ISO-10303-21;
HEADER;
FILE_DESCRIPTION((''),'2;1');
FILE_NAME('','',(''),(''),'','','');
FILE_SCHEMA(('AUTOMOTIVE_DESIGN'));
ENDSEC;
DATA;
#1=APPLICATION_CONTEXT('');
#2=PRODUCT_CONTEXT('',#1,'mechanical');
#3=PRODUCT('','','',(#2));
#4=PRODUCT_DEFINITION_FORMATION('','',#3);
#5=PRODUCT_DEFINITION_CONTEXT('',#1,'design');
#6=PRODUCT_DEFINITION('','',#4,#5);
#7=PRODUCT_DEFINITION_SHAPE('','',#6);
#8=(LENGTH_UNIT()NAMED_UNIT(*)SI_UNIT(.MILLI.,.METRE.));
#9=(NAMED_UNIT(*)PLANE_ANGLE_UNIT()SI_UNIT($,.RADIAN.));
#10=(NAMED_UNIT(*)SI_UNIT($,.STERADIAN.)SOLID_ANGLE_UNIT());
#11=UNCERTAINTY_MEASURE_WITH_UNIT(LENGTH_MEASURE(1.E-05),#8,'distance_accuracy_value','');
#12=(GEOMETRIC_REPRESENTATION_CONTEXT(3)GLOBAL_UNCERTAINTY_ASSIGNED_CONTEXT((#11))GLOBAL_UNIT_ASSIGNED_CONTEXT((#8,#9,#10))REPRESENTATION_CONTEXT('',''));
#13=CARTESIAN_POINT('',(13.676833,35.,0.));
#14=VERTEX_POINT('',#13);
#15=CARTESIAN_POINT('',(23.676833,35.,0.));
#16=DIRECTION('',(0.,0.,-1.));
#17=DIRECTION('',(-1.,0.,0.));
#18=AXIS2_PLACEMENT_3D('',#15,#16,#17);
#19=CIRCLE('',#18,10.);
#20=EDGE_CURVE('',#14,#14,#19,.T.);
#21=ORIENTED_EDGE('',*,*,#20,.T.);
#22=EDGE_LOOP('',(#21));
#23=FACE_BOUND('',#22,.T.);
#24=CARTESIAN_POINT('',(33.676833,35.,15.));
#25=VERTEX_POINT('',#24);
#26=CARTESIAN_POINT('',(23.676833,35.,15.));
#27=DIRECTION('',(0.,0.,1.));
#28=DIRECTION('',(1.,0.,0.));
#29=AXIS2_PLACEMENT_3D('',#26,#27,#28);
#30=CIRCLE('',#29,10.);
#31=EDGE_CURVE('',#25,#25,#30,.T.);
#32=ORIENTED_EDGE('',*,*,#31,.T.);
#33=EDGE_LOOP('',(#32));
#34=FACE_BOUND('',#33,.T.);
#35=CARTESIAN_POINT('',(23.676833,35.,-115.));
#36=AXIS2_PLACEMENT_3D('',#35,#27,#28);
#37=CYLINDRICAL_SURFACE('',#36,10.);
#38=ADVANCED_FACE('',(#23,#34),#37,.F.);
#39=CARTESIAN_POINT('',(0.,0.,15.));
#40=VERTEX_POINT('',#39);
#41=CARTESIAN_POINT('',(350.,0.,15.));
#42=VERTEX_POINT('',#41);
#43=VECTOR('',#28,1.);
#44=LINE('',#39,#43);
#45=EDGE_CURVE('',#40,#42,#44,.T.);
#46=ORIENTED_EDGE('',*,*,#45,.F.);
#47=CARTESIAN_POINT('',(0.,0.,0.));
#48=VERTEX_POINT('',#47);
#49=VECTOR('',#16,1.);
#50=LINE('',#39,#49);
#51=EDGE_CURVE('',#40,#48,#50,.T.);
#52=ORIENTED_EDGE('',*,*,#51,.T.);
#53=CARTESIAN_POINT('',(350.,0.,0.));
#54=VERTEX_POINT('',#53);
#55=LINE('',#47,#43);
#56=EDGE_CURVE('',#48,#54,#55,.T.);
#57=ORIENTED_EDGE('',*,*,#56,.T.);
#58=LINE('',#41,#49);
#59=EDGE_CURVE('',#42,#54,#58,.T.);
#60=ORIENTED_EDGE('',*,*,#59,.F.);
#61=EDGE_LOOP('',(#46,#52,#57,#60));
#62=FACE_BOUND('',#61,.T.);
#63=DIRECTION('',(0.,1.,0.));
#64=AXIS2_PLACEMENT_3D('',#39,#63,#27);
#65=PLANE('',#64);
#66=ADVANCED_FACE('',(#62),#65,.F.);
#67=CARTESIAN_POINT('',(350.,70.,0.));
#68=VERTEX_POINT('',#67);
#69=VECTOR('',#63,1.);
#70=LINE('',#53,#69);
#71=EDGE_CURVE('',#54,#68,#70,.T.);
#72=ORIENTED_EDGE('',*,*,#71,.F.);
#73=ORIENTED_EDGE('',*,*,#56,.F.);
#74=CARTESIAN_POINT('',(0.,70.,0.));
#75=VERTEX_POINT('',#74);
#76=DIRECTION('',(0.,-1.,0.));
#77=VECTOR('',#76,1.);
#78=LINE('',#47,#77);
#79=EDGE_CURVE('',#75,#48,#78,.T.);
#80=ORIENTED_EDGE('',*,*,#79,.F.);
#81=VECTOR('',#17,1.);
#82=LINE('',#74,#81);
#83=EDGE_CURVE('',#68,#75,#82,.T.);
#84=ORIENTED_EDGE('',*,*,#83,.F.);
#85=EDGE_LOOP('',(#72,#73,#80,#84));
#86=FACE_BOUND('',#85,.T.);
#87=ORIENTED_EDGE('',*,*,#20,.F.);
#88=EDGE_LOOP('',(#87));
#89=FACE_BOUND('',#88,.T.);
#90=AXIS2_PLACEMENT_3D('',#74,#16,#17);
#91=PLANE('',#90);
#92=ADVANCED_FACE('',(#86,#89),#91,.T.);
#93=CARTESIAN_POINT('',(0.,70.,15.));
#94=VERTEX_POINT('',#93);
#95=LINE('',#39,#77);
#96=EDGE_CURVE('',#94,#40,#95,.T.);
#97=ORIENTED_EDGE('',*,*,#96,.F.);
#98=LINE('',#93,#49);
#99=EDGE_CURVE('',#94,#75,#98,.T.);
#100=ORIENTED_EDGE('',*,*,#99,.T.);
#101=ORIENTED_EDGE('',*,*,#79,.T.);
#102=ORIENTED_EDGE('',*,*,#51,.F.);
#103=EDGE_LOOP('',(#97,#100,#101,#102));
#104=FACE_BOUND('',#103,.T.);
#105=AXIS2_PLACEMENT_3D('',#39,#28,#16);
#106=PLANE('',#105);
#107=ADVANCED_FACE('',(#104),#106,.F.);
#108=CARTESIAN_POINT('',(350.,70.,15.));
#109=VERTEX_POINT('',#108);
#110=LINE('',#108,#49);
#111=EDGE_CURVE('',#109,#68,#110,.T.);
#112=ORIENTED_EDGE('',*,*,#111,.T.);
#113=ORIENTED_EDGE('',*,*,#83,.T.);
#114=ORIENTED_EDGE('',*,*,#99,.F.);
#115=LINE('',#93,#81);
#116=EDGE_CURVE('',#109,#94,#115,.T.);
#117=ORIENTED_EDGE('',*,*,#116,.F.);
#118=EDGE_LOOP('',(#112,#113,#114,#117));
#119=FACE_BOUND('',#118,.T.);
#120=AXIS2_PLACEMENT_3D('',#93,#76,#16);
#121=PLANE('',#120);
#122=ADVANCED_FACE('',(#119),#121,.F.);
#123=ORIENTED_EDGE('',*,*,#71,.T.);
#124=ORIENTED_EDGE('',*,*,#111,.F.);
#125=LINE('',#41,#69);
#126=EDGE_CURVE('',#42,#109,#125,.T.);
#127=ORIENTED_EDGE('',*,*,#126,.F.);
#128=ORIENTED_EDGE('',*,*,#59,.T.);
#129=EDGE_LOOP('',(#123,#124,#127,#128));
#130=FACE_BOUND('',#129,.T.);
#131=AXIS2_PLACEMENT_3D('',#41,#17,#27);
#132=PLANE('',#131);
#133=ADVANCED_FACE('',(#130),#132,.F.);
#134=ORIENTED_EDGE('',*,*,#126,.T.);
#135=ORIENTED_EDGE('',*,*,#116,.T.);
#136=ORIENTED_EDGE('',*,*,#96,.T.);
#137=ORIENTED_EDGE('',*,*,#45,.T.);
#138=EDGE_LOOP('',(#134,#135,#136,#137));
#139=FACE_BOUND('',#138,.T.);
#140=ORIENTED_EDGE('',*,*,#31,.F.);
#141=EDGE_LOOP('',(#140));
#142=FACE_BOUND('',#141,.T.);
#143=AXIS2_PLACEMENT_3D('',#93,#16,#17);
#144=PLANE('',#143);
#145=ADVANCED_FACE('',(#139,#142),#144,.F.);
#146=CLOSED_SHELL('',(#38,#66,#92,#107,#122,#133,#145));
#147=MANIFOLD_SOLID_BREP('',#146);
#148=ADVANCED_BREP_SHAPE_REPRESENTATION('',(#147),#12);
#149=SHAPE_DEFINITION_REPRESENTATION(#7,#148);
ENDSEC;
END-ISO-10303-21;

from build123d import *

# Parameters (mm, degrees)
CROQUIS1_W              = 350
CROQUIS1_H              = 70
SALIENTE_EXTRUIR1_DEPTH = 15
CROQUIS2_R              = 10
CORTAR_EXTRUIR1_DEPTH   = 130


with BuildPart() as part:
    # Croquis1 → Saliente-Extruir1 (new body)
    with BuildSketch(Plane.XY):
        with Locations((175, 35)):
            Rectangle(CROQUIS1_W, CROQUIS1_H)
    extrude(amount=SALIENTE_EXTRUIR1_DEPTH)

    # Croquis2 → Cortar-Extruir1 (cut)
    with BuildSketch(Plane.XY.offset(15)):
        with Locations((23.676832776, 35)):
            Circle(CROQUIS2_R)
    extrude(amount=-CORTAR_EXTRUIR1_DEPTH, mode=Mode.SUBTRACT)


solid = part.part
